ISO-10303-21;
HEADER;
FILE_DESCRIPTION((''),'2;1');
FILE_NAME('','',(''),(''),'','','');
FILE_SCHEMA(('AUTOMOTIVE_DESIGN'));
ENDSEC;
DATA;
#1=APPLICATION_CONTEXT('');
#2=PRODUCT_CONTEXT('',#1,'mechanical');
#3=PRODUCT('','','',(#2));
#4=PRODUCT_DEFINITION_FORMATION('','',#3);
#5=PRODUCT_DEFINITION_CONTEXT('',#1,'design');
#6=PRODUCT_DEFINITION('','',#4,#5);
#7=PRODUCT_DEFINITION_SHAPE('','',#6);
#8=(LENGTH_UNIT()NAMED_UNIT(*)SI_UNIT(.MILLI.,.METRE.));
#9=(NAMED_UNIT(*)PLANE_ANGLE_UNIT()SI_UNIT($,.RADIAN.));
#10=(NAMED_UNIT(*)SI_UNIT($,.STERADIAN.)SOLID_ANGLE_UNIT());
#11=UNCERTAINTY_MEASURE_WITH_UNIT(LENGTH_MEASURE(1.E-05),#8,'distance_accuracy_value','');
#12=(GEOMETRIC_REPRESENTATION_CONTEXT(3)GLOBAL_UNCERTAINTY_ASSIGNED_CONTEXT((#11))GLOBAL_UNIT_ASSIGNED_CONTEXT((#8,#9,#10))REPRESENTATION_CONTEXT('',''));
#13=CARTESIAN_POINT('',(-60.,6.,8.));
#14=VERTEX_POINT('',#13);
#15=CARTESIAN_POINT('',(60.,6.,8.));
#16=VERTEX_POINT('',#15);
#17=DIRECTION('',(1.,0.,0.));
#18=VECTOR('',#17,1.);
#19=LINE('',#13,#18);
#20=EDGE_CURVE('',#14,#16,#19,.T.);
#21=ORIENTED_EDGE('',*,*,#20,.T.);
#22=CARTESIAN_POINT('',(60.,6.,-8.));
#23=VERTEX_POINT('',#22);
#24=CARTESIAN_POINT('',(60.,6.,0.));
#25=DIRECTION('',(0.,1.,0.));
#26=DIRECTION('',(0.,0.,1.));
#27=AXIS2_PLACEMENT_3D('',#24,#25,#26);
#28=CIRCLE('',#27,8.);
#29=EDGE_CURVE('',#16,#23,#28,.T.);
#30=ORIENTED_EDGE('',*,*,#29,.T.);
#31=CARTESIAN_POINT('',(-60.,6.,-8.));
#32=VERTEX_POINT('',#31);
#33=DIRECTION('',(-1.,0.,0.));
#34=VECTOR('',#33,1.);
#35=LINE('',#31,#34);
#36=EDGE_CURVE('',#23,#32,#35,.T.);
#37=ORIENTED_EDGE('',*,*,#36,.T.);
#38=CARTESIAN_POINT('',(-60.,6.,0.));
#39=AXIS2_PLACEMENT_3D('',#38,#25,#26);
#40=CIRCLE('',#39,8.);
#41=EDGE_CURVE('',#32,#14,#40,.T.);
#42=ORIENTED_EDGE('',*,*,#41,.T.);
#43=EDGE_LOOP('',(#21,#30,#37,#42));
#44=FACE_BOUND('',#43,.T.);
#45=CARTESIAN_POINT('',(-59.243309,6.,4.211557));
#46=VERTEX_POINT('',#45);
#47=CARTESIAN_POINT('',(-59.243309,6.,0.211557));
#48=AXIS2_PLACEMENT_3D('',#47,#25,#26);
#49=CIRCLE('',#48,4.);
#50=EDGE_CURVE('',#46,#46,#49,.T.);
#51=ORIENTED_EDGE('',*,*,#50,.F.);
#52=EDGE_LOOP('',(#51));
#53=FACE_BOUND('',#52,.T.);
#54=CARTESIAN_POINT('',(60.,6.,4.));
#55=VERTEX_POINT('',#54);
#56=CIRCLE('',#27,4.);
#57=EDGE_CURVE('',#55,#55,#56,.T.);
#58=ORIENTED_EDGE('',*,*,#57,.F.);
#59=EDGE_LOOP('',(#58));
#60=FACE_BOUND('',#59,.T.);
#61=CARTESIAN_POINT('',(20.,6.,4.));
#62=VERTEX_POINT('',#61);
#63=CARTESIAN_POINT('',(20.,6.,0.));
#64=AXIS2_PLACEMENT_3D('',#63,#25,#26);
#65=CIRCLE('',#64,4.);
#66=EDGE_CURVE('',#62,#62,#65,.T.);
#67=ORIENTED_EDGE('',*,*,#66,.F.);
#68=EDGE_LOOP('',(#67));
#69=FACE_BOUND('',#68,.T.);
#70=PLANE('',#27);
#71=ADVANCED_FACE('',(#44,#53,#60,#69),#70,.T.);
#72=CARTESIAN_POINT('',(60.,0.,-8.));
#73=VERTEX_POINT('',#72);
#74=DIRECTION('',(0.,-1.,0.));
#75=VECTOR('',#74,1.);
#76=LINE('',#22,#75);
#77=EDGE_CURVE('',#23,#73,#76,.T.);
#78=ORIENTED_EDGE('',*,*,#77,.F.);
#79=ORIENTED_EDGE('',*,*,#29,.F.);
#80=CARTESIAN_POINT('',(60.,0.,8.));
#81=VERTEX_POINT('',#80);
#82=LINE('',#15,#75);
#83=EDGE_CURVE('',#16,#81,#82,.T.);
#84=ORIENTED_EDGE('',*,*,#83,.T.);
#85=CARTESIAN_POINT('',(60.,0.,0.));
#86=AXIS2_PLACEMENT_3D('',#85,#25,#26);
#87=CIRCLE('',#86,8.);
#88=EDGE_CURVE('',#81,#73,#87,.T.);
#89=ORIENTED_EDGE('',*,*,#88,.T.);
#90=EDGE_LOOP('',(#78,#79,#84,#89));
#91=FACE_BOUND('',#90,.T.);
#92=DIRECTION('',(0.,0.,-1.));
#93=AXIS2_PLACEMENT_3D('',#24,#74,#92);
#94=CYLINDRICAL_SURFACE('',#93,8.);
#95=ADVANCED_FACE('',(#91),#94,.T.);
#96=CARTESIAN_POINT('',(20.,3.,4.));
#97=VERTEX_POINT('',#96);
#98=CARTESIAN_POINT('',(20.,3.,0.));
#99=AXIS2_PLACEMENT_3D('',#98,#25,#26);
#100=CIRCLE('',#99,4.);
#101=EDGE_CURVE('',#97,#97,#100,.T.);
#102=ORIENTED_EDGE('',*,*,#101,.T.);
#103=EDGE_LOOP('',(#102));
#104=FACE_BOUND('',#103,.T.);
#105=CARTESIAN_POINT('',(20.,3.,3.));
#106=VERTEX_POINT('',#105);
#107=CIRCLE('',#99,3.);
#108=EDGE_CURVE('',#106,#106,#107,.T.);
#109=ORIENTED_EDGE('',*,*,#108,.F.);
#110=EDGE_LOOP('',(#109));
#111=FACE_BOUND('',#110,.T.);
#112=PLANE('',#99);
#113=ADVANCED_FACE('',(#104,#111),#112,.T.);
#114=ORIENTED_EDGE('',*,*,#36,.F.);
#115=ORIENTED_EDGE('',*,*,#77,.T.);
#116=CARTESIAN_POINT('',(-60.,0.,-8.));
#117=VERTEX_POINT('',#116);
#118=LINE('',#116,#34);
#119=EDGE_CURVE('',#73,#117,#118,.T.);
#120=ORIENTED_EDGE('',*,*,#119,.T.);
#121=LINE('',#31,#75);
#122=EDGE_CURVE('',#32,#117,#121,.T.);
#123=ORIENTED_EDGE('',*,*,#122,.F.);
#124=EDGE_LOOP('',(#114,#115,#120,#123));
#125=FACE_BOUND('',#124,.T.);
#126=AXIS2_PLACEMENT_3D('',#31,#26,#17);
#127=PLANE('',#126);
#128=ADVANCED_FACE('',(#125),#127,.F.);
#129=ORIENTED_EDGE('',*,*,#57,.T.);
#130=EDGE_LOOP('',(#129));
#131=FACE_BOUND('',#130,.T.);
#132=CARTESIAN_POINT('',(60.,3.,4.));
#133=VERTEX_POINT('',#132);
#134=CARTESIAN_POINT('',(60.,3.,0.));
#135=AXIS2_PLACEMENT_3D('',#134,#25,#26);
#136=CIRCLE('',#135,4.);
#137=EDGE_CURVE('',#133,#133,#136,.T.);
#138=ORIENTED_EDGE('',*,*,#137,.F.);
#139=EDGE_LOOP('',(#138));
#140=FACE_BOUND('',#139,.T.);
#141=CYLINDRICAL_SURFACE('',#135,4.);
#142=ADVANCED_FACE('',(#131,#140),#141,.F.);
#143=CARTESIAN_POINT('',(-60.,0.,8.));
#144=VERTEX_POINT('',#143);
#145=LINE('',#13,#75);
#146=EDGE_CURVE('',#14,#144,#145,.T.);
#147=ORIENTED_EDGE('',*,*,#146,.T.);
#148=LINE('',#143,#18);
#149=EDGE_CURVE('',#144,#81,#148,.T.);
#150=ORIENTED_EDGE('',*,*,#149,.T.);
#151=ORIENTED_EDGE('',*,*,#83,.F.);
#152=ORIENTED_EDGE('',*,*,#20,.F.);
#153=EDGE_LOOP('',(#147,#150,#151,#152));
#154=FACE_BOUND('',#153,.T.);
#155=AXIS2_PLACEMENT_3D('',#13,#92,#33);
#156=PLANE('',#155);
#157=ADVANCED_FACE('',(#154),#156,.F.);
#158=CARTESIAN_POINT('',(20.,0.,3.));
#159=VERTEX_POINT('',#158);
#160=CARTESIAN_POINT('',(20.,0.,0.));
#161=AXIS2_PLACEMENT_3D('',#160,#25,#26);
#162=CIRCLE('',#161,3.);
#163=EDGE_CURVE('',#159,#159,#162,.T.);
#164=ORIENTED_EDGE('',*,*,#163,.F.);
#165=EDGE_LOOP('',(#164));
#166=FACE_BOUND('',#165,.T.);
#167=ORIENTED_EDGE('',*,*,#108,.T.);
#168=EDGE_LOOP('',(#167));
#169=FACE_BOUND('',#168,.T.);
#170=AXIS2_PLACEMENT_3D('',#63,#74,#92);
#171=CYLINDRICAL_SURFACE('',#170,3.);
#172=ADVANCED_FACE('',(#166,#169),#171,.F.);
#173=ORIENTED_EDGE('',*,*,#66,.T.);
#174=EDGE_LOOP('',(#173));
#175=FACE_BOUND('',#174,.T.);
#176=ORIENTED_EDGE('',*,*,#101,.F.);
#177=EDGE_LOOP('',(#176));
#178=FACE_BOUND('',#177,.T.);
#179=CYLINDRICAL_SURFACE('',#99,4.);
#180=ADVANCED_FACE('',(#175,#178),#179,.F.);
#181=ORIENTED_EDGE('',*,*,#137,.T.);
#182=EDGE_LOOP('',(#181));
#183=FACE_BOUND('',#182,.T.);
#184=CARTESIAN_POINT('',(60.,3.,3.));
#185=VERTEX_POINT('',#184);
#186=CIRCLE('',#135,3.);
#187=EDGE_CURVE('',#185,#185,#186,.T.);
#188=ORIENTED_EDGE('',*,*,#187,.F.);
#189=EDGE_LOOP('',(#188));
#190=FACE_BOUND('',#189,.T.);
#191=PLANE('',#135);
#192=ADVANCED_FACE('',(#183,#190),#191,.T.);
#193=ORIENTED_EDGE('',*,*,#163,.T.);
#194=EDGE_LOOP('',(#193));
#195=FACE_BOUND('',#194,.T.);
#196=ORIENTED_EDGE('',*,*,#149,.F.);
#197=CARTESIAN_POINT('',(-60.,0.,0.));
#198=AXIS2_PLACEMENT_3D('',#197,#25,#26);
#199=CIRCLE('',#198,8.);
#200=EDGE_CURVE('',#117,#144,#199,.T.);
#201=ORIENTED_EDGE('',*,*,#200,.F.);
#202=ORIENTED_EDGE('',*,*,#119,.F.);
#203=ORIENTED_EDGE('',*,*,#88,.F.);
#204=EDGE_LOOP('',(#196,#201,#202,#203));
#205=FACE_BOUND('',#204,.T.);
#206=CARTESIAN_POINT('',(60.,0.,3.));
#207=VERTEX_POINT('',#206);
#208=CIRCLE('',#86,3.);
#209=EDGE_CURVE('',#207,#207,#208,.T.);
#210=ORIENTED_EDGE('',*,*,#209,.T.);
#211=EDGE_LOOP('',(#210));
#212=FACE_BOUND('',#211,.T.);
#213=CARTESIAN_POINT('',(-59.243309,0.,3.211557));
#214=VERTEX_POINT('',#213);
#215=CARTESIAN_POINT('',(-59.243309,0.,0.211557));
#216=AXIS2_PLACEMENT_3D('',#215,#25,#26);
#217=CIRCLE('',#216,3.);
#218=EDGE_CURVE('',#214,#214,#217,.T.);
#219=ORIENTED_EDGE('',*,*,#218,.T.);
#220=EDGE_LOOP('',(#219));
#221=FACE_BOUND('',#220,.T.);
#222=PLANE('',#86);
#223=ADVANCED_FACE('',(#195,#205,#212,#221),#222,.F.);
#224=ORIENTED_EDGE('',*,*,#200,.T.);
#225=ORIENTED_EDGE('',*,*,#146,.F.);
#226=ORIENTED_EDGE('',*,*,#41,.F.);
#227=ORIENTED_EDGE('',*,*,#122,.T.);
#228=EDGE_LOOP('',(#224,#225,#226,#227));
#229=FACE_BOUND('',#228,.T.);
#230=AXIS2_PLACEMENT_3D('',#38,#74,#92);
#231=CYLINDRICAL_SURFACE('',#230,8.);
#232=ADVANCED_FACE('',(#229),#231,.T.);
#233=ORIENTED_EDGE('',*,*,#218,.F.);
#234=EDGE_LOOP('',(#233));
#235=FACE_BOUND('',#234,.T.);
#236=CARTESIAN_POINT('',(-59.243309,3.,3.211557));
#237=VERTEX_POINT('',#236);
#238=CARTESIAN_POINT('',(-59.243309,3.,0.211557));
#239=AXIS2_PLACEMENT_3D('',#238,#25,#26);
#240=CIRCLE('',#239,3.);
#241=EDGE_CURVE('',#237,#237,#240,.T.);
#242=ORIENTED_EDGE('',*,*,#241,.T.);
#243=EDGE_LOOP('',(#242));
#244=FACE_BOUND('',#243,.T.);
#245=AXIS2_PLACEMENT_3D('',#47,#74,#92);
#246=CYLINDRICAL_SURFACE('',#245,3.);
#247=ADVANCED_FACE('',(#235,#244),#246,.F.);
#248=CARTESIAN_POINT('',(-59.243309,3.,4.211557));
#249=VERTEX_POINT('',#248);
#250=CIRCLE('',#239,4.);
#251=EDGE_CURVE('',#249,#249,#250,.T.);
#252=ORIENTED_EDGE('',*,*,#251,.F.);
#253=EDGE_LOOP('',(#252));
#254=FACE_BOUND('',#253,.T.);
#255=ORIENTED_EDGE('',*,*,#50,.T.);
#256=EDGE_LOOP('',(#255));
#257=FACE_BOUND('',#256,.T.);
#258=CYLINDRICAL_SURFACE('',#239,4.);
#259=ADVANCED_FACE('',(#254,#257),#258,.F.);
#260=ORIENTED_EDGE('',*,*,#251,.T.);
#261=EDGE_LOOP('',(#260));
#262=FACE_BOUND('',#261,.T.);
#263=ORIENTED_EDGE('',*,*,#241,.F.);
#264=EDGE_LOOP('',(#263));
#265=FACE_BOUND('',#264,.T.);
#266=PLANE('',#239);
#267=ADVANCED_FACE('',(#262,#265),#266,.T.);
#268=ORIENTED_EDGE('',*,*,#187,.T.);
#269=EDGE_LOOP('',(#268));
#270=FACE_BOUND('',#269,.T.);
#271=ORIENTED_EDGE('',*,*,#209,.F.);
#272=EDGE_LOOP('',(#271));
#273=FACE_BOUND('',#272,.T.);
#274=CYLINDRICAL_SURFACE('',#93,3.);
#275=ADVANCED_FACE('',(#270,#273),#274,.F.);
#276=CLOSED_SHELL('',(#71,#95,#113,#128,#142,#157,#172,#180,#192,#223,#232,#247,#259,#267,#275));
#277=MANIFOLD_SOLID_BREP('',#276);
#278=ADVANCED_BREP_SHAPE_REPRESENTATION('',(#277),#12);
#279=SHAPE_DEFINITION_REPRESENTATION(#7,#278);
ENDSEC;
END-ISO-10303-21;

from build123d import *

# Parameters (mm, degrees)
SKETCH1_R           = 3
BOSS_EXTRUDE1_DEPTH = 6
SKETCH3_R           = 4
CUT_EXTRUDE1_DEPTH  = 3


with BuildPart() as part:
    # Sketch1 → Boss-Extrude1 (new body)
    with BuildSketch(Plane(origin=(0, 0, 0), x_dir=(1, 0, 0), z_dir=(0, 1, 0))):
        with BuildLine():
            Line((-60, -8), (60, -8))
            ThreePointArc((60, -8), (68, 0), (60, 8))
            Line((60, 8), (-60, 8))
            ThreePointArc((-60, 8), (-68, 0), (-60, -8))
        make_face()
        with Locations(Location((-59.243309237, -0.211557176, 0), (0, 0, 270))):
            Circle(SKETCH1_R, mode=Mode.SUBTRACT)
        with Locations(Location((60, 0, 0), (0, 0, 270))):
            Circle(SKETCH1_R, mode=Mode.SUBTRACT)
        with Locations(Location((20, 0, 0), (0, 0, 270))):
            Circle(SKETCH1_R, mode=Mode.SUBTRACT)
    extrude(amount=BOSS_EXTRUDE1_DEPTH)

    # Sketch3 → Cut-Extrude1 (cut)
    with BuildSketch(Plane(origin=(0, 6, 0), x_dir=(1, 0, 0), z_dir=(0, 1, 0))):
        with Locations(Location((-59.243309237, -0.211557176, 0), (0, 0, 270))):
            Circle(SKETCH3_R)
        with Locations(Location((20, 0, 0), (0, 0, 270))):
            Circle(SKETCH3_R)
        with Locations(Location((60, 0, 0), (0, 0, 270))):
            Circle(SKETCH3_R)
    extrude(amount=-CUT_EXTRUDE1_DEPTH, mode=Mode.SUBTRACT)


solid = part.part
